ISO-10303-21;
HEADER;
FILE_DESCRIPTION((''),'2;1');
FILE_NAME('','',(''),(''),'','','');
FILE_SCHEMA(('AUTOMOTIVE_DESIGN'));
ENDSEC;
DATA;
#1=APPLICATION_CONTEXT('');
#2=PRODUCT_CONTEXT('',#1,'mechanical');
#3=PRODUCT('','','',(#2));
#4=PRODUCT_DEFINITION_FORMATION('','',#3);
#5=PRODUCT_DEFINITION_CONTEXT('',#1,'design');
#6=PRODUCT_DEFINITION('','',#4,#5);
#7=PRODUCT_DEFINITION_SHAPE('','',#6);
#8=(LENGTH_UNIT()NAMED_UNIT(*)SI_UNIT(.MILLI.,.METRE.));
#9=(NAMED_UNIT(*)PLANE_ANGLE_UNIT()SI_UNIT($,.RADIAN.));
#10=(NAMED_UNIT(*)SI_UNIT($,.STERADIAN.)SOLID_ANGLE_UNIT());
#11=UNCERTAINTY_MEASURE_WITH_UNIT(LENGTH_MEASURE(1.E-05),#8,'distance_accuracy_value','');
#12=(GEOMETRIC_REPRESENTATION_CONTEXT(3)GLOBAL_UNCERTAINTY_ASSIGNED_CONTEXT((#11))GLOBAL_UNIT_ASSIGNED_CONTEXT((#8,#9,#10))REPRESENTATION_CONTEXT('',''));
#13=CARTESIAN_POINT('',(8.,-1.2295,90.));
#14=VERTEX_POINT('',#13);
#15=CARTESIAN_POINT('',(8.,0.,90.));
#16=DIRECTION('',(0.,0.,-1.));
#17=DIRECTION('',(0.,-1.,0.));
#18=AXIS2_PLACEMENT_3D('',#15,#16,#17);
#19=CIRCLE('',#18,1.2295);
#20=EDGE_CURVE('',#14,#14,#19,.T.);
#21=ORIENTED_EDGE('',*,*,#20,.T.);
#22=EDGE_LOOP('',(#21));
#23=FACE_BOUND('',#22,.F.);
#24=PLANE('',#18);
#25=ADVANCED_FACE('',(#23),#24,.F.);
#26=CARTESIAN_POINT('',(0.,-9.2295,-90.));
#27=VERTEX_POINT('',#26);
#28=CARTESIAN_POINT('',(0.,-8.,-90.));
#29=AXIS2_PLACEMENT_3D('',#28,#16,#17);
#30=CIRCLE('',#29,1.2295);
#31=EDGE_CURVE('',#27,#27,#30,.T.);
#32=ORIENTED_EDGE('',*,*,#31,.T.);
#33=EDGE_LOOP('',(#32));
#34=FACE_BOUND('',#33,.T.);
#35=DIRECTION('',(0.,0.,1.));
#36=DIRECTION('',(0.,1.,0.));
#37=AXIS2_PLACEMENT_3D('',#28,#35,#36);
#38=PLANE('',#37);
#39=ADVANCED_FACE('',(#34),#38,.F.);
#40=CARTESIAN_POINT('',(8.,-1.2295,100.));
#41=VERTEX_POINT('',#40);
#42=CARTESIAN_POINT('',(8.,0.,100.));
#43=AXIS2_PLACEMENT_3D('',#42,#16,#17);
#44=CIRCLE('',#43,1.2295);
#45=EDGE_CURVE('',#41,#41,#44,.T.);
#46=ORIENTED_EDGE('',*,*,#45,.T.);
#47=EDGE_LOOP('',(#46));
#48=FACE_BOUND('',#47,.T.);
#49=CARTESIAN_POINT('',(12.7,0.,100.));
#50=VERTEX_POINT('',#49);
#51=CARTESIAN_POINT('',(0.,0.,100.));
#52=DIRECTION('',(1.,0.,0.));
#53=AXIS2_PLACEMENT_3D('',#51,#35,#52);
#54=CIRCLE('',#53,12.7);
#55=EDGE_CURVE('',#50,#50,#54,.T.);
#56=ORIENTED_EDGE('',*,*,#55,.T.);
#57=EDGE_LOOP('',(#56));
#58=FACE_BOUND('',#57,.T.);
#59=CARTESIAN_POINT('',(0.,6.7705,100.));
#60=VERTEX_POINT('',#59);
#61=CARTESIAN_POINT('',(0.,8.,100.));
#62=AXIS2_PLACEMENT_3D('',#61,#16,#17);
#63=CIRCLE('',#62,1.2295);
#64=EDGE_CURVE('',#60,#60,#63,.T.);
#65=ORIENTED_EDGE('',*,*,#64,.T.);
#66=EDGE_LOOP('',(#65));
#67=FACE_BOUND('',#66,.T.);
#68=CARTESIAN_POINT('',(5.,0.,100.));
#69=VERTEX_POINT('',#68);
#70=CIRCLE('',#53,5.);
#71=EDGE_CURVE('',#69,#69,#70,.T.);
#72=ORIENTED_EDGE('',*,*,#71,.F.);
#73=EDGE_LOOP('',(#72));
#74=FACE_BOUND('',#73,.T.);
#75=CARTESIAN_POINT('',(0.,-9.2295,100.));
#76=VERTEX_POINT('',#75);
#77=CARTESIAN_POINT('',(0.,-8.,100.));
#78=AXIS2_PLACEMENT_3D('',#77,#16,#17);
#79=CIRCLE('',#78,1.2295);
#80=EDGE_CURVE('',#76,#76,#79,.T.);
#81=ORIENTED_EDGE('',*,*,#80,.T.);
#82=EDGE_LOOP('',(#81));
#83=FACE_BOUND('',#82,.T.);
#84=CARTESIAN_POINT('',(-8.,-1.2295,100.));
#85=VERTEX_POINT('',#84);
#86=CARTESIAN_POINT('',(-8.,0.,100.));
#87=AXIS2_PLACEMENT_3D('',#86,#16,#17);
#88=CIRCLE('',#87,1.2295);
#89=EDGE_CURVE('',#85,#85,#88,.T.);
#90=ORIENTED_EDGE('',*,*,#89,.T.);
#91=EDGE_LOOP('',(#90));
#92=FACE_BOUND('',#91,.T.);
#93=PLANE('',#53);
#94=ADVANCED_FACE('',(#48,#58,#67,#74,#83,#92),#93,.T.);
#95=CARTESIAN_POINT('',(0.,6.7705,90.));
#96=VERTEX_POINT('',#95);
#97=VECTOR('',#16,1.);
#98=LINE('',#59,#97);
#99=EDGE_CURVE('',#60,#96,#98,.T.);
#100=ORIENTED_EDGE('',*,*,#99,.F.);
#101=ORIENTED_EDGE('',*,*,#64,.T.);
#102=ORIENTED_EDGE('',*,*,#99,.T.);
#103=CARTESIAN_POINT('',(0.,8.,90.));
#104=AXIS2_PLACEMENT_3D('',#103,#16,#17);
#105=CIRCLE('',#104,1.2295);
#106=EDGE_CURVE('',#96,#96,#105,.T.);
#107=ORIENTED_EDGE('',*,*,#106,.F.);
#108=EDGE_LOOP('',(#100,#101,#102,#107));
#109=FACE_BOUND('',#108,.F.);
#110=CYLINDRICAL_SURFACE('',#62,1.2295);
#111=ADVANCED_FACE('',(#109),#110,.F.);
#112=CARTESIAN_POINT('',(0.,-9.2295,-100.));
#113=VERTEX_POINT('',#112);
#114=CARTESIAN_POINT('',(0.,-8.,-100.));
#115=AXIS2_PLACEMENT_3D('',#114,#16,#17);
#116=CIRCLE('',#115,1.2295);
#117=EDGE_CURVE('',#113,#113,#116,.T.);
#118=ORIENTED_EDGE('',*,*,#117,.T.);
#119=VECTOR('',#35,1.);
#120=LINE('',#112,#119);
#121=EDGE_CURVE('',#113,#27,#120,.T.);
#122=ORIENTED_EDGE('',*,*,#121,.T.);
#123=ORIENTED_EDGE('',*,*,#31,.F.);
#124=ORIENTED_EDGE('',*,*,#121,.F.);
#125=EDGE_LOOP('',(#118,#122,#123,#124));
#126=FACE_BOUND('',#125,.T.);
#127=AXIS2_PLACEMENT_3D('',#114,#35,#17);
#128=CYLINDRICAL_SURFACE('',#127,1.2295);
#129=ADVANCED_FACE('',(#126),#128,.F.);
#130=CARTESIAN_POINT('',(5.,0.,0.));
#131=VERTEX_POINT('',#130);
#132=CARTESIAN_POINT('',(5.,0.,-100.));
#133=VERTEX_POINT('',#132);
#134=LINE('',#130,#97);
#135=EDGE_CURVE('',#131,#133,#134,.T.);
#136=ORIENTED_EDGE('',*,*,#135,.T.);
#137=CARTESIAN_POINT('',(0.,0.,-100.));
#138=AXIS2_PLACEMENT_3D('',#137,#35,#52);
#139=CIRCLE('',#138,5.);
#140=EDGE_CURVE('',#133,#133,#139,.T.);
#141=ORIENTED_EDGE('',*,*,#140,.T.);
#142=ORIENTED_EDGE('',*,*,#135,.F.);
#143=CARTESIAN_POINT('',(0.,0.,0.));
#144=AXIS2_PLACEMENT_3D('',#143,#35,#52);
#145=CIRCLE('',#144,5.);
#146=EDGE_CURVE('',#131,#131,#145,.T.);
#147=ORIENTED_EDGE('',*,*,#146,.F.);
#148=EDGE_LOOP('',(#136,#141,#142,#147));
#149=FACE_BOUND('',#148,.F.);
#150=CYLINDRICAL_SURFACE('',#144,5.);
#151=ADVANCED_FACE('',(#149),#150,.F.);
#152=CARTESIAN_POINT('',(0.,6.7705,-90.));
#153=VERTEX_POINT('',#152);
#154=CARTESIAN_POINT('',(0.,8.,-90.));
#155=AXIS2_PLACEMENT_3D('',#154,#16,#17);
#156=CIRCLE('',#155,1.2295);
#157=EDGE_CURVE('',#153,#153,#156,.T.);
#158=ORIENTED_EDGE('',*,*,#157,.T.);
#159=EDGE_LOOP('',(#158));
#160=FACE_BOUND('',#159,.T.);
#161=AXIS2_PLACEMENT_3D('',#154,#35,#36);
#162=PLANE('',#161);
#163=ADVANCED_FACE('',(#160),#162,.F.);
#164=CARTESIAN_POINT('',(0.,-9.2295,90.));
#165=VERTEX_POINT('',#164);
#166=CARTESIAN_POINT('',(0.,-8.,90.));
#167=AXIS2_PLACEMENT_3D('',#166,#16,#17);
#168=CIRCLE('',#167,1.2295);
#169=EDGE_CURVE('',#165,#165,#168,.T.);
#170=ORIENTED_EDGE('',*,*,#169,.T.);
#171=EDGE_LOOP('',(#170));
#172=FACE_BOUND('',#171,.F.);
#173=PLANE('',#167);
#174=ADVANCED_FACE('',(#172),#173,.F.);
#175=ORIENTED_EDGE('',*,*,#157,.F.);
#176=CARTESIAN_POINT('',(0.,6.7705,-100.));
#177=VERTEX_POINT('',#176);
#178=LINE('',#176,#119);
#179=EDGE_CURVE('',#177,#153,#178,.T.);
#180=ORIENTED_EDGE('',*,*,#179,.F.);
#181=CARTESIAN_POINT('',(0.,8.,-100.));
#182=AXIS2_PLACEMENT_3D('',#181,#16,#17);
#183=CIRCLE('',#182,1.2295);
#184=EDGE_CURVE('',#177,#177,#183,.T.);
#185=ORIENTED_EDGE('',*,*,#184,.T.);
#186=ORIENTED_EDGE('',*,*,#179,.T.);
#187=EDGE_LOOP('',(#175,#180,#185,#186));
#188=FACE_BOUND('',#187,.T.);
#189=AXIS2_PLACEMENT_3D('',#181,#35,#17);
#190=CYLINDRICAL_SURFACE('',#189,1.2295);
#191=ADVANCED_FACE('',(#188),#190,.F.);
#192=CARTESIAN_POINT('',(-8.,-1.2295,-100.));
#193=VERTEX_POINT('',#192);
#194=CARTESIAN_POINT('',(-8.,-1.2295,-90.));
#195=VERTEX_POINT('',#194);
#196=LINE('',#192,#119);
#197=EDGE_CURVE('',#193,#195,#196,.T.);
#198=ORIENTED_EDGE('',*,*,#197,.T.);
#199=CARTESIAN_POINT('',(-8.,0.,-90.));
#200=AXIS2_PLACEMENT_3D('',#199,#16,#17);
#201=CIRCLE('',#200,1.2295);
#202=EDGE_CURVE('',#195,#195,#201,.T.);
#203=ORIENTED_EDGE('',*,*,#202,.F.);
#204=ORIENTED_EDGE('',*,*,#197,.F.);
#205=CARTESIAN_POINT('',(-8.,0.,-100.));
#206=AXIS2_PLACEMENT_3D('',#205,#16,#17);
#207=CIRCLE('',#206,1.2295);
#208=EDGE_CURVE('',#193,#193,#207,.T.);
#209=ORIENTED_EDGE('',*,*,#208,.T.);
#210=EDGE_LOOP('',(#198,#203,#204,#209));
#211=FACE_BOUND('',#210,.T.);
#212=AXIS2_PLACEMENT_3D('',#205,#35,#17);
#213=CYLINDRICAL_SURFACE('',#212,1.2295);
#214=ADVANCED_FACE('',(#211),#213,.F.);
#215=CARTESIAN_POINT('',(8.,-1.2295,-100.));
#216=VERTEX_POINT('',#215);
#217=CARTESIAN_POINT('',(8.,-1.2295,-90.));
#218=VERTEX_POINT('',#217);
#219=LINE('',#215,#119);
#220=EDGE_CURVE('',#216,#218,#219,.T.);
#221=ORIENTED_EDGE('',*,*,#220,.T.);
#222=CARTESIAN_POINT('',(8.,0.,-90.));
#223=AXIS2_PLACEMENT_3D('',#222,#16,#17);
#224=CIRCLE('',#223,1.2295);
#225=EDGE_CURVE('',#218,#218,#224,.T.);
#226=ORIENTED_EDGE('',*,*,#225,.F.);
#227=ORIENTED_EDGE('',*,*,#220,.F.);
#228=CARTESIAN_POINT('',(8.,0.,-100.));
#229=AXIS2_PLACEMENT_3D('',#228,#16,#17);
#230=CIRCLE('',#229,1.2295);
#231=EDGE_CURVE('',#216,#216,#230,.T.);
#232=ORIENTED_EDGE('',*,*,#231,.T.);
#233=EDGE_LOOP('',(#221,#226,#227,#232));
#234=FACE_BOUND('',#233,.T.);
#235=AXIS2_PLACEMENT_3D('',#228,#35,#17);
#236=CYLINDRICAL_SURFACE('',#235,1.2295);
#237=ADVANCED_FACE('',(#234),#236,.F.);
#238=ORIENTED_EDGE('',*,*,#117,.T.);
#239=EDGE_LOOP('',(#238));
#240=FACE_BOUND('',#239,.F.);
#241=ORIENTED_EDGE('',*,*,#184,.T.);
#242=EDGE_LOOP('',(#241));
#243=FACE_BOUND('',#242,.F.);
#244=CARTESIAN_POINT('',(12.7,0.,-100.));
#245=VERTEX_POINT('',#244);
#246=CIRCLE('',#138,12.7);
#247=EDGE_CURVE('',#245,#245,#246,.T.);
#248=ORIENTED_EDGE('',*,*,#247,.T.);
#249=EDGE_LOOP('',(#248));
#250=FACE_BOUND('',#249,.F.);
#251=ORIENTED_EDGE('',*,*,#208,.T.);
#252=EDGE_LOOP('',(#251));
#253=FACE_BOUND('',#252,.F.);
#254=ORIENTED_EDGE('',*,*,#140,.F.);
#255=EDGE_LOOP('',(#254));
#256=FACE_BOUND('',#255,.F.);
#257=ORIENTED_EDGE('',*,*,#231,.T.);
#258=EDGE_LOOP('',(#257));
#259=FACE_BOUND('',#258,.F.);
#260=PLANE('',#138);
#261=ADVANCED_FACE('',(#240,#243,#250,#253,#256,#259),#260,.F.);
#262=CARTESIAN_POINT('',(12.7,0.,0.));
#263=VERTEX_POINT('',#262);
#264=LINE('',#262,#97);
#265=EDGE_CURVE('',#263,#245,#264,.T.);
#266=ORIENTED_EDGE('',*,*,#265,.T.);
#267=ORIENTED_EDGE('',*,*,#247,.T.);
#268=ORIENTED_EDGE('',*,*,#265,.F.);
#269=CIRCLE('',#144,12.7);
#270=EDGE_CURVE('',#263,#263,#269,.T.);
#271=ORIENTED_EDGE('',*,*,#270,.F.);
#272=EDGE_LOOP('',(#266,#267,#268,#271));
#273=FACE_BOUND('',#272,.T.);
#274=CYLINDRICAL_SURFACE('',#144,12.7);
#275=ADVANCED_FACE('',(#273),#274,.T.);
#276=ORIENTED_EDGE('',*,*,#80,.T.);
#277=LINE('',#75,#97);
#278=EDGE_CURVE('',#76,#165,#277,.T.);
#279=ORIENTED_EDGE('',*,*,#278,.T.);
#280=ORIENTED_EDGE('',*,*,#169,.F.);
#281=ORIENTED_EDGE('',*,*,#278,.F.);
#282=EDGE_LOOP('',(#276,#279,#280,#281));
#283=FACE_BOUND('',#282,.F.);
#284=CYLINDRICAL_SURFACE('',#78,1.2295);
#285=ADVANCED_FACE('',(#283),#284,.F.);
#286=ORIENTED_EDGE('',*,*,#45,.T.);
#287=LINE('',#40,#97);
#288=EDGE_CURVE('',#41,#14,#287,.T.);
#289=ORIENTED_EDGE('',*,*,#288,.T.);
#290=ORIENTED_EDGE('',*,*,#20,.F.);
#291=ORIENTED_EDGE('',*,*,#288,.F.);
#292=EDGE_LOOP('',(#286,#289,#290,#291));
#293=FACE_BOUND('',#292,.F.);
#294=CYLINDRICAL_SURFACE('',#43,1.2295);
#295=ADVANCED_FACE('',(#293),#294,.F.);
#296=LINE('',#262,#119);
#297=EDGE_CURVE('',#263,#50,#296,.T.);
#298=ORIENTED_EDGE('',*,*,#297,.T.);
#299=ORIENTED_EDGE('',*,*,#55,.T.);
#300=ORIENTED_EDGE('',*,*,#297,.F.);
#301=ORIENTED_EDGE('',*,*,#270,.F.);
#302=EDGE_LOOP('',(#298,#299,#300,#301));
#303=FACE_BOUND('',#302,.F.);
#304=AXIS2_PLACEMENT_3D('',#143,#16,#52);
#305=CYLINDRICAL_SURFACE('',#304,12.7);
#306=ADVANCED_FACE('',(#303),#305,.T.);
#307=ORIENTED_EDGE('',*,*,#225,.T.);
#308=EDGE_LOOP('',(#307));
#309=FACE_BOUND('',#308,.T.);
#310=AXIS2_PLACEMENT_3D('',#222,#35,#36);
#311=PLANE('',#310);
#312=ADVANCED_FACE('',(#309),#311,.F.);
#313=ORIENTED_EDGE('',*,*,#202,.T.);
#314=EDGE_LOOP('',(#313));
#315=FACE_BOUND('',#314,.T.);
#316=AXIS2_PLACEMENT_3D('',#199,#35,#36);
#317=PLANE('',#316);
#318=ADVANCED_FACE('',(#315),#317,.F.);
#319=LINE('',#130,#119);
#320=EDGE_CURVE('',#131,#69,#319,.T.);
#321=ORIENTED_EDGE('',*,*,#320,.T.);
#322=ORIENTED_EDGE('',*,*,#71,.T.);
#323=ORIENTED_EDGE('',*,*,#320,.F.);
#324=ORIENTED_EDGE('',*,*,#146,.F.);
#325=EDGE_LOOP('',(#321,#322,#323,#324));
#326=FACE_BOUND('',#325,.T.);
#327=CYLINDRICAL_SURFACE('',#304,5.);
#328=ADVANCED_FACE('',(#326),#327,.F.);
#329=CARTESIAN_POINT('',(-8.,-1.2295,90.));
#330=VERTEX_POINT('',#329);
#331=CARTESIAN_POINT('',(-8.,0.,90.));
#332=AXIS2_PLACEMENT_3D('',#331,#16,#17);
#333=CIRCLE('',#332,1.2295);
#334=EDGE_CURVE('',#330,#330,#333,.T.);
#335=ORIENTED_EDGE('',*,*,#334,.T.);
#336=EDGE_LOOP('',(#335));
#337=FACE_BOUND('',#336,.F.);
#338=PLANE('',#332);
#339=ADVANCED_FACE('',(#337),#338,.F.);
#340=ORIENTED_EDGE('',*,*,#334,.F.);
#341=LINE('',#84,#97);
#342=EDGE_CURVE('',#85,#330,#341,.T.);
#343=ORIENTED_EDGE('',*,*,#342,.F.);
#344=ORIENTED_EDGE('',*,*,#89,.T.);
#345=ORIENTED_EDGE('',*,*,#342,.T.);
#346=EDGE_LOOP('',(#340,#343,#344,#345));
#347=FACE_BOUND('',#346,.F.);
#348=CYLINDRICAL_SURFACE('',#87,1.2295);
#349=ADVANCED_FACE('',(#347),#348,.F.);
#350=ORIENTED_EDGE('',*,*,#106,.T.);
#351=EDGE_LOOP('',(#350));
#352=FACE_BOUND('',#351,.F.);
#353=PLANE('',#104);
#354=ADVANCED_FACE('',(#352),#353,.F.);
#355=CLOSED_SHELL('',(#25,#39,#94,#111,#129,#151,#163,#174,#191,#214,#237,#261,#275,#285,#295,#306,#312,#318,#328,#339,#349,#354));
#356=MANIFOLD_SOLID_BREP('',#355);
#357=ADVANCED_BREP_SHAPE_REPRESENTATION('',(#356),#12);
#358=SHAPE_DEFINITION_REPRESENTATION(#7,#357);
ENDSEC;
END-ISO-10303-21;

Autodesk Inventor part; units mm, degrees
ref_plane "YZ Plane" through (0, 0, 0) normal (1, 0, 0) x (0, 1, 0)
ref_plane "XZ Plane" through (0, 0, 0) normal (0, 1, 0) x (-1, 0, 0)
ref_plane "XY Plane" through (0, 0, 0) normal (0, 0, 1) x (1, 0, 0)
sketch "Sketch1" plane through (0, 0, 0) normal (0, 0, 1) x (1, 0, 0)
  circle A0 centre (0, 0) radius 12.7
  circle A1 centre (0, 0) radius 5
  dimension "d0" = 25.4
  dimension "d1" = 10
extrude "Extrusion1" add sketch "Sketch1" along normal mid plane 200
sketch "Sketch2" plane through (0, 0, 100) normal (0, 0, 1) x (1, 0, 0)
  line L0 (-17.78, 0) -> (17.78, 0) projected
  line L1 (0, -17.78) -> (0, 17.78) projected
  circle A0 centre (0, 0) radius 8 construction
  point P0 (0, 8)
  point P1 (8, 0)
  point P2 (0, -8)
  point P3 (-8, 0)
  dimension "d4" = 16
hole "Hole1" at (0, 8, 100) at (8, 0, 100) at (0, -8, 100) at (-8, 0, 100) direction (0, 0, -1) diameter 2.459 depth 10 thread size "M3x0.5" class "6H" standard "ISO Metric profile"
mirror "Mirror1" about plane through (0, 0, 0) normal (0, 0, 1) of "Hole1"
properties part number "barra solida hueca"
